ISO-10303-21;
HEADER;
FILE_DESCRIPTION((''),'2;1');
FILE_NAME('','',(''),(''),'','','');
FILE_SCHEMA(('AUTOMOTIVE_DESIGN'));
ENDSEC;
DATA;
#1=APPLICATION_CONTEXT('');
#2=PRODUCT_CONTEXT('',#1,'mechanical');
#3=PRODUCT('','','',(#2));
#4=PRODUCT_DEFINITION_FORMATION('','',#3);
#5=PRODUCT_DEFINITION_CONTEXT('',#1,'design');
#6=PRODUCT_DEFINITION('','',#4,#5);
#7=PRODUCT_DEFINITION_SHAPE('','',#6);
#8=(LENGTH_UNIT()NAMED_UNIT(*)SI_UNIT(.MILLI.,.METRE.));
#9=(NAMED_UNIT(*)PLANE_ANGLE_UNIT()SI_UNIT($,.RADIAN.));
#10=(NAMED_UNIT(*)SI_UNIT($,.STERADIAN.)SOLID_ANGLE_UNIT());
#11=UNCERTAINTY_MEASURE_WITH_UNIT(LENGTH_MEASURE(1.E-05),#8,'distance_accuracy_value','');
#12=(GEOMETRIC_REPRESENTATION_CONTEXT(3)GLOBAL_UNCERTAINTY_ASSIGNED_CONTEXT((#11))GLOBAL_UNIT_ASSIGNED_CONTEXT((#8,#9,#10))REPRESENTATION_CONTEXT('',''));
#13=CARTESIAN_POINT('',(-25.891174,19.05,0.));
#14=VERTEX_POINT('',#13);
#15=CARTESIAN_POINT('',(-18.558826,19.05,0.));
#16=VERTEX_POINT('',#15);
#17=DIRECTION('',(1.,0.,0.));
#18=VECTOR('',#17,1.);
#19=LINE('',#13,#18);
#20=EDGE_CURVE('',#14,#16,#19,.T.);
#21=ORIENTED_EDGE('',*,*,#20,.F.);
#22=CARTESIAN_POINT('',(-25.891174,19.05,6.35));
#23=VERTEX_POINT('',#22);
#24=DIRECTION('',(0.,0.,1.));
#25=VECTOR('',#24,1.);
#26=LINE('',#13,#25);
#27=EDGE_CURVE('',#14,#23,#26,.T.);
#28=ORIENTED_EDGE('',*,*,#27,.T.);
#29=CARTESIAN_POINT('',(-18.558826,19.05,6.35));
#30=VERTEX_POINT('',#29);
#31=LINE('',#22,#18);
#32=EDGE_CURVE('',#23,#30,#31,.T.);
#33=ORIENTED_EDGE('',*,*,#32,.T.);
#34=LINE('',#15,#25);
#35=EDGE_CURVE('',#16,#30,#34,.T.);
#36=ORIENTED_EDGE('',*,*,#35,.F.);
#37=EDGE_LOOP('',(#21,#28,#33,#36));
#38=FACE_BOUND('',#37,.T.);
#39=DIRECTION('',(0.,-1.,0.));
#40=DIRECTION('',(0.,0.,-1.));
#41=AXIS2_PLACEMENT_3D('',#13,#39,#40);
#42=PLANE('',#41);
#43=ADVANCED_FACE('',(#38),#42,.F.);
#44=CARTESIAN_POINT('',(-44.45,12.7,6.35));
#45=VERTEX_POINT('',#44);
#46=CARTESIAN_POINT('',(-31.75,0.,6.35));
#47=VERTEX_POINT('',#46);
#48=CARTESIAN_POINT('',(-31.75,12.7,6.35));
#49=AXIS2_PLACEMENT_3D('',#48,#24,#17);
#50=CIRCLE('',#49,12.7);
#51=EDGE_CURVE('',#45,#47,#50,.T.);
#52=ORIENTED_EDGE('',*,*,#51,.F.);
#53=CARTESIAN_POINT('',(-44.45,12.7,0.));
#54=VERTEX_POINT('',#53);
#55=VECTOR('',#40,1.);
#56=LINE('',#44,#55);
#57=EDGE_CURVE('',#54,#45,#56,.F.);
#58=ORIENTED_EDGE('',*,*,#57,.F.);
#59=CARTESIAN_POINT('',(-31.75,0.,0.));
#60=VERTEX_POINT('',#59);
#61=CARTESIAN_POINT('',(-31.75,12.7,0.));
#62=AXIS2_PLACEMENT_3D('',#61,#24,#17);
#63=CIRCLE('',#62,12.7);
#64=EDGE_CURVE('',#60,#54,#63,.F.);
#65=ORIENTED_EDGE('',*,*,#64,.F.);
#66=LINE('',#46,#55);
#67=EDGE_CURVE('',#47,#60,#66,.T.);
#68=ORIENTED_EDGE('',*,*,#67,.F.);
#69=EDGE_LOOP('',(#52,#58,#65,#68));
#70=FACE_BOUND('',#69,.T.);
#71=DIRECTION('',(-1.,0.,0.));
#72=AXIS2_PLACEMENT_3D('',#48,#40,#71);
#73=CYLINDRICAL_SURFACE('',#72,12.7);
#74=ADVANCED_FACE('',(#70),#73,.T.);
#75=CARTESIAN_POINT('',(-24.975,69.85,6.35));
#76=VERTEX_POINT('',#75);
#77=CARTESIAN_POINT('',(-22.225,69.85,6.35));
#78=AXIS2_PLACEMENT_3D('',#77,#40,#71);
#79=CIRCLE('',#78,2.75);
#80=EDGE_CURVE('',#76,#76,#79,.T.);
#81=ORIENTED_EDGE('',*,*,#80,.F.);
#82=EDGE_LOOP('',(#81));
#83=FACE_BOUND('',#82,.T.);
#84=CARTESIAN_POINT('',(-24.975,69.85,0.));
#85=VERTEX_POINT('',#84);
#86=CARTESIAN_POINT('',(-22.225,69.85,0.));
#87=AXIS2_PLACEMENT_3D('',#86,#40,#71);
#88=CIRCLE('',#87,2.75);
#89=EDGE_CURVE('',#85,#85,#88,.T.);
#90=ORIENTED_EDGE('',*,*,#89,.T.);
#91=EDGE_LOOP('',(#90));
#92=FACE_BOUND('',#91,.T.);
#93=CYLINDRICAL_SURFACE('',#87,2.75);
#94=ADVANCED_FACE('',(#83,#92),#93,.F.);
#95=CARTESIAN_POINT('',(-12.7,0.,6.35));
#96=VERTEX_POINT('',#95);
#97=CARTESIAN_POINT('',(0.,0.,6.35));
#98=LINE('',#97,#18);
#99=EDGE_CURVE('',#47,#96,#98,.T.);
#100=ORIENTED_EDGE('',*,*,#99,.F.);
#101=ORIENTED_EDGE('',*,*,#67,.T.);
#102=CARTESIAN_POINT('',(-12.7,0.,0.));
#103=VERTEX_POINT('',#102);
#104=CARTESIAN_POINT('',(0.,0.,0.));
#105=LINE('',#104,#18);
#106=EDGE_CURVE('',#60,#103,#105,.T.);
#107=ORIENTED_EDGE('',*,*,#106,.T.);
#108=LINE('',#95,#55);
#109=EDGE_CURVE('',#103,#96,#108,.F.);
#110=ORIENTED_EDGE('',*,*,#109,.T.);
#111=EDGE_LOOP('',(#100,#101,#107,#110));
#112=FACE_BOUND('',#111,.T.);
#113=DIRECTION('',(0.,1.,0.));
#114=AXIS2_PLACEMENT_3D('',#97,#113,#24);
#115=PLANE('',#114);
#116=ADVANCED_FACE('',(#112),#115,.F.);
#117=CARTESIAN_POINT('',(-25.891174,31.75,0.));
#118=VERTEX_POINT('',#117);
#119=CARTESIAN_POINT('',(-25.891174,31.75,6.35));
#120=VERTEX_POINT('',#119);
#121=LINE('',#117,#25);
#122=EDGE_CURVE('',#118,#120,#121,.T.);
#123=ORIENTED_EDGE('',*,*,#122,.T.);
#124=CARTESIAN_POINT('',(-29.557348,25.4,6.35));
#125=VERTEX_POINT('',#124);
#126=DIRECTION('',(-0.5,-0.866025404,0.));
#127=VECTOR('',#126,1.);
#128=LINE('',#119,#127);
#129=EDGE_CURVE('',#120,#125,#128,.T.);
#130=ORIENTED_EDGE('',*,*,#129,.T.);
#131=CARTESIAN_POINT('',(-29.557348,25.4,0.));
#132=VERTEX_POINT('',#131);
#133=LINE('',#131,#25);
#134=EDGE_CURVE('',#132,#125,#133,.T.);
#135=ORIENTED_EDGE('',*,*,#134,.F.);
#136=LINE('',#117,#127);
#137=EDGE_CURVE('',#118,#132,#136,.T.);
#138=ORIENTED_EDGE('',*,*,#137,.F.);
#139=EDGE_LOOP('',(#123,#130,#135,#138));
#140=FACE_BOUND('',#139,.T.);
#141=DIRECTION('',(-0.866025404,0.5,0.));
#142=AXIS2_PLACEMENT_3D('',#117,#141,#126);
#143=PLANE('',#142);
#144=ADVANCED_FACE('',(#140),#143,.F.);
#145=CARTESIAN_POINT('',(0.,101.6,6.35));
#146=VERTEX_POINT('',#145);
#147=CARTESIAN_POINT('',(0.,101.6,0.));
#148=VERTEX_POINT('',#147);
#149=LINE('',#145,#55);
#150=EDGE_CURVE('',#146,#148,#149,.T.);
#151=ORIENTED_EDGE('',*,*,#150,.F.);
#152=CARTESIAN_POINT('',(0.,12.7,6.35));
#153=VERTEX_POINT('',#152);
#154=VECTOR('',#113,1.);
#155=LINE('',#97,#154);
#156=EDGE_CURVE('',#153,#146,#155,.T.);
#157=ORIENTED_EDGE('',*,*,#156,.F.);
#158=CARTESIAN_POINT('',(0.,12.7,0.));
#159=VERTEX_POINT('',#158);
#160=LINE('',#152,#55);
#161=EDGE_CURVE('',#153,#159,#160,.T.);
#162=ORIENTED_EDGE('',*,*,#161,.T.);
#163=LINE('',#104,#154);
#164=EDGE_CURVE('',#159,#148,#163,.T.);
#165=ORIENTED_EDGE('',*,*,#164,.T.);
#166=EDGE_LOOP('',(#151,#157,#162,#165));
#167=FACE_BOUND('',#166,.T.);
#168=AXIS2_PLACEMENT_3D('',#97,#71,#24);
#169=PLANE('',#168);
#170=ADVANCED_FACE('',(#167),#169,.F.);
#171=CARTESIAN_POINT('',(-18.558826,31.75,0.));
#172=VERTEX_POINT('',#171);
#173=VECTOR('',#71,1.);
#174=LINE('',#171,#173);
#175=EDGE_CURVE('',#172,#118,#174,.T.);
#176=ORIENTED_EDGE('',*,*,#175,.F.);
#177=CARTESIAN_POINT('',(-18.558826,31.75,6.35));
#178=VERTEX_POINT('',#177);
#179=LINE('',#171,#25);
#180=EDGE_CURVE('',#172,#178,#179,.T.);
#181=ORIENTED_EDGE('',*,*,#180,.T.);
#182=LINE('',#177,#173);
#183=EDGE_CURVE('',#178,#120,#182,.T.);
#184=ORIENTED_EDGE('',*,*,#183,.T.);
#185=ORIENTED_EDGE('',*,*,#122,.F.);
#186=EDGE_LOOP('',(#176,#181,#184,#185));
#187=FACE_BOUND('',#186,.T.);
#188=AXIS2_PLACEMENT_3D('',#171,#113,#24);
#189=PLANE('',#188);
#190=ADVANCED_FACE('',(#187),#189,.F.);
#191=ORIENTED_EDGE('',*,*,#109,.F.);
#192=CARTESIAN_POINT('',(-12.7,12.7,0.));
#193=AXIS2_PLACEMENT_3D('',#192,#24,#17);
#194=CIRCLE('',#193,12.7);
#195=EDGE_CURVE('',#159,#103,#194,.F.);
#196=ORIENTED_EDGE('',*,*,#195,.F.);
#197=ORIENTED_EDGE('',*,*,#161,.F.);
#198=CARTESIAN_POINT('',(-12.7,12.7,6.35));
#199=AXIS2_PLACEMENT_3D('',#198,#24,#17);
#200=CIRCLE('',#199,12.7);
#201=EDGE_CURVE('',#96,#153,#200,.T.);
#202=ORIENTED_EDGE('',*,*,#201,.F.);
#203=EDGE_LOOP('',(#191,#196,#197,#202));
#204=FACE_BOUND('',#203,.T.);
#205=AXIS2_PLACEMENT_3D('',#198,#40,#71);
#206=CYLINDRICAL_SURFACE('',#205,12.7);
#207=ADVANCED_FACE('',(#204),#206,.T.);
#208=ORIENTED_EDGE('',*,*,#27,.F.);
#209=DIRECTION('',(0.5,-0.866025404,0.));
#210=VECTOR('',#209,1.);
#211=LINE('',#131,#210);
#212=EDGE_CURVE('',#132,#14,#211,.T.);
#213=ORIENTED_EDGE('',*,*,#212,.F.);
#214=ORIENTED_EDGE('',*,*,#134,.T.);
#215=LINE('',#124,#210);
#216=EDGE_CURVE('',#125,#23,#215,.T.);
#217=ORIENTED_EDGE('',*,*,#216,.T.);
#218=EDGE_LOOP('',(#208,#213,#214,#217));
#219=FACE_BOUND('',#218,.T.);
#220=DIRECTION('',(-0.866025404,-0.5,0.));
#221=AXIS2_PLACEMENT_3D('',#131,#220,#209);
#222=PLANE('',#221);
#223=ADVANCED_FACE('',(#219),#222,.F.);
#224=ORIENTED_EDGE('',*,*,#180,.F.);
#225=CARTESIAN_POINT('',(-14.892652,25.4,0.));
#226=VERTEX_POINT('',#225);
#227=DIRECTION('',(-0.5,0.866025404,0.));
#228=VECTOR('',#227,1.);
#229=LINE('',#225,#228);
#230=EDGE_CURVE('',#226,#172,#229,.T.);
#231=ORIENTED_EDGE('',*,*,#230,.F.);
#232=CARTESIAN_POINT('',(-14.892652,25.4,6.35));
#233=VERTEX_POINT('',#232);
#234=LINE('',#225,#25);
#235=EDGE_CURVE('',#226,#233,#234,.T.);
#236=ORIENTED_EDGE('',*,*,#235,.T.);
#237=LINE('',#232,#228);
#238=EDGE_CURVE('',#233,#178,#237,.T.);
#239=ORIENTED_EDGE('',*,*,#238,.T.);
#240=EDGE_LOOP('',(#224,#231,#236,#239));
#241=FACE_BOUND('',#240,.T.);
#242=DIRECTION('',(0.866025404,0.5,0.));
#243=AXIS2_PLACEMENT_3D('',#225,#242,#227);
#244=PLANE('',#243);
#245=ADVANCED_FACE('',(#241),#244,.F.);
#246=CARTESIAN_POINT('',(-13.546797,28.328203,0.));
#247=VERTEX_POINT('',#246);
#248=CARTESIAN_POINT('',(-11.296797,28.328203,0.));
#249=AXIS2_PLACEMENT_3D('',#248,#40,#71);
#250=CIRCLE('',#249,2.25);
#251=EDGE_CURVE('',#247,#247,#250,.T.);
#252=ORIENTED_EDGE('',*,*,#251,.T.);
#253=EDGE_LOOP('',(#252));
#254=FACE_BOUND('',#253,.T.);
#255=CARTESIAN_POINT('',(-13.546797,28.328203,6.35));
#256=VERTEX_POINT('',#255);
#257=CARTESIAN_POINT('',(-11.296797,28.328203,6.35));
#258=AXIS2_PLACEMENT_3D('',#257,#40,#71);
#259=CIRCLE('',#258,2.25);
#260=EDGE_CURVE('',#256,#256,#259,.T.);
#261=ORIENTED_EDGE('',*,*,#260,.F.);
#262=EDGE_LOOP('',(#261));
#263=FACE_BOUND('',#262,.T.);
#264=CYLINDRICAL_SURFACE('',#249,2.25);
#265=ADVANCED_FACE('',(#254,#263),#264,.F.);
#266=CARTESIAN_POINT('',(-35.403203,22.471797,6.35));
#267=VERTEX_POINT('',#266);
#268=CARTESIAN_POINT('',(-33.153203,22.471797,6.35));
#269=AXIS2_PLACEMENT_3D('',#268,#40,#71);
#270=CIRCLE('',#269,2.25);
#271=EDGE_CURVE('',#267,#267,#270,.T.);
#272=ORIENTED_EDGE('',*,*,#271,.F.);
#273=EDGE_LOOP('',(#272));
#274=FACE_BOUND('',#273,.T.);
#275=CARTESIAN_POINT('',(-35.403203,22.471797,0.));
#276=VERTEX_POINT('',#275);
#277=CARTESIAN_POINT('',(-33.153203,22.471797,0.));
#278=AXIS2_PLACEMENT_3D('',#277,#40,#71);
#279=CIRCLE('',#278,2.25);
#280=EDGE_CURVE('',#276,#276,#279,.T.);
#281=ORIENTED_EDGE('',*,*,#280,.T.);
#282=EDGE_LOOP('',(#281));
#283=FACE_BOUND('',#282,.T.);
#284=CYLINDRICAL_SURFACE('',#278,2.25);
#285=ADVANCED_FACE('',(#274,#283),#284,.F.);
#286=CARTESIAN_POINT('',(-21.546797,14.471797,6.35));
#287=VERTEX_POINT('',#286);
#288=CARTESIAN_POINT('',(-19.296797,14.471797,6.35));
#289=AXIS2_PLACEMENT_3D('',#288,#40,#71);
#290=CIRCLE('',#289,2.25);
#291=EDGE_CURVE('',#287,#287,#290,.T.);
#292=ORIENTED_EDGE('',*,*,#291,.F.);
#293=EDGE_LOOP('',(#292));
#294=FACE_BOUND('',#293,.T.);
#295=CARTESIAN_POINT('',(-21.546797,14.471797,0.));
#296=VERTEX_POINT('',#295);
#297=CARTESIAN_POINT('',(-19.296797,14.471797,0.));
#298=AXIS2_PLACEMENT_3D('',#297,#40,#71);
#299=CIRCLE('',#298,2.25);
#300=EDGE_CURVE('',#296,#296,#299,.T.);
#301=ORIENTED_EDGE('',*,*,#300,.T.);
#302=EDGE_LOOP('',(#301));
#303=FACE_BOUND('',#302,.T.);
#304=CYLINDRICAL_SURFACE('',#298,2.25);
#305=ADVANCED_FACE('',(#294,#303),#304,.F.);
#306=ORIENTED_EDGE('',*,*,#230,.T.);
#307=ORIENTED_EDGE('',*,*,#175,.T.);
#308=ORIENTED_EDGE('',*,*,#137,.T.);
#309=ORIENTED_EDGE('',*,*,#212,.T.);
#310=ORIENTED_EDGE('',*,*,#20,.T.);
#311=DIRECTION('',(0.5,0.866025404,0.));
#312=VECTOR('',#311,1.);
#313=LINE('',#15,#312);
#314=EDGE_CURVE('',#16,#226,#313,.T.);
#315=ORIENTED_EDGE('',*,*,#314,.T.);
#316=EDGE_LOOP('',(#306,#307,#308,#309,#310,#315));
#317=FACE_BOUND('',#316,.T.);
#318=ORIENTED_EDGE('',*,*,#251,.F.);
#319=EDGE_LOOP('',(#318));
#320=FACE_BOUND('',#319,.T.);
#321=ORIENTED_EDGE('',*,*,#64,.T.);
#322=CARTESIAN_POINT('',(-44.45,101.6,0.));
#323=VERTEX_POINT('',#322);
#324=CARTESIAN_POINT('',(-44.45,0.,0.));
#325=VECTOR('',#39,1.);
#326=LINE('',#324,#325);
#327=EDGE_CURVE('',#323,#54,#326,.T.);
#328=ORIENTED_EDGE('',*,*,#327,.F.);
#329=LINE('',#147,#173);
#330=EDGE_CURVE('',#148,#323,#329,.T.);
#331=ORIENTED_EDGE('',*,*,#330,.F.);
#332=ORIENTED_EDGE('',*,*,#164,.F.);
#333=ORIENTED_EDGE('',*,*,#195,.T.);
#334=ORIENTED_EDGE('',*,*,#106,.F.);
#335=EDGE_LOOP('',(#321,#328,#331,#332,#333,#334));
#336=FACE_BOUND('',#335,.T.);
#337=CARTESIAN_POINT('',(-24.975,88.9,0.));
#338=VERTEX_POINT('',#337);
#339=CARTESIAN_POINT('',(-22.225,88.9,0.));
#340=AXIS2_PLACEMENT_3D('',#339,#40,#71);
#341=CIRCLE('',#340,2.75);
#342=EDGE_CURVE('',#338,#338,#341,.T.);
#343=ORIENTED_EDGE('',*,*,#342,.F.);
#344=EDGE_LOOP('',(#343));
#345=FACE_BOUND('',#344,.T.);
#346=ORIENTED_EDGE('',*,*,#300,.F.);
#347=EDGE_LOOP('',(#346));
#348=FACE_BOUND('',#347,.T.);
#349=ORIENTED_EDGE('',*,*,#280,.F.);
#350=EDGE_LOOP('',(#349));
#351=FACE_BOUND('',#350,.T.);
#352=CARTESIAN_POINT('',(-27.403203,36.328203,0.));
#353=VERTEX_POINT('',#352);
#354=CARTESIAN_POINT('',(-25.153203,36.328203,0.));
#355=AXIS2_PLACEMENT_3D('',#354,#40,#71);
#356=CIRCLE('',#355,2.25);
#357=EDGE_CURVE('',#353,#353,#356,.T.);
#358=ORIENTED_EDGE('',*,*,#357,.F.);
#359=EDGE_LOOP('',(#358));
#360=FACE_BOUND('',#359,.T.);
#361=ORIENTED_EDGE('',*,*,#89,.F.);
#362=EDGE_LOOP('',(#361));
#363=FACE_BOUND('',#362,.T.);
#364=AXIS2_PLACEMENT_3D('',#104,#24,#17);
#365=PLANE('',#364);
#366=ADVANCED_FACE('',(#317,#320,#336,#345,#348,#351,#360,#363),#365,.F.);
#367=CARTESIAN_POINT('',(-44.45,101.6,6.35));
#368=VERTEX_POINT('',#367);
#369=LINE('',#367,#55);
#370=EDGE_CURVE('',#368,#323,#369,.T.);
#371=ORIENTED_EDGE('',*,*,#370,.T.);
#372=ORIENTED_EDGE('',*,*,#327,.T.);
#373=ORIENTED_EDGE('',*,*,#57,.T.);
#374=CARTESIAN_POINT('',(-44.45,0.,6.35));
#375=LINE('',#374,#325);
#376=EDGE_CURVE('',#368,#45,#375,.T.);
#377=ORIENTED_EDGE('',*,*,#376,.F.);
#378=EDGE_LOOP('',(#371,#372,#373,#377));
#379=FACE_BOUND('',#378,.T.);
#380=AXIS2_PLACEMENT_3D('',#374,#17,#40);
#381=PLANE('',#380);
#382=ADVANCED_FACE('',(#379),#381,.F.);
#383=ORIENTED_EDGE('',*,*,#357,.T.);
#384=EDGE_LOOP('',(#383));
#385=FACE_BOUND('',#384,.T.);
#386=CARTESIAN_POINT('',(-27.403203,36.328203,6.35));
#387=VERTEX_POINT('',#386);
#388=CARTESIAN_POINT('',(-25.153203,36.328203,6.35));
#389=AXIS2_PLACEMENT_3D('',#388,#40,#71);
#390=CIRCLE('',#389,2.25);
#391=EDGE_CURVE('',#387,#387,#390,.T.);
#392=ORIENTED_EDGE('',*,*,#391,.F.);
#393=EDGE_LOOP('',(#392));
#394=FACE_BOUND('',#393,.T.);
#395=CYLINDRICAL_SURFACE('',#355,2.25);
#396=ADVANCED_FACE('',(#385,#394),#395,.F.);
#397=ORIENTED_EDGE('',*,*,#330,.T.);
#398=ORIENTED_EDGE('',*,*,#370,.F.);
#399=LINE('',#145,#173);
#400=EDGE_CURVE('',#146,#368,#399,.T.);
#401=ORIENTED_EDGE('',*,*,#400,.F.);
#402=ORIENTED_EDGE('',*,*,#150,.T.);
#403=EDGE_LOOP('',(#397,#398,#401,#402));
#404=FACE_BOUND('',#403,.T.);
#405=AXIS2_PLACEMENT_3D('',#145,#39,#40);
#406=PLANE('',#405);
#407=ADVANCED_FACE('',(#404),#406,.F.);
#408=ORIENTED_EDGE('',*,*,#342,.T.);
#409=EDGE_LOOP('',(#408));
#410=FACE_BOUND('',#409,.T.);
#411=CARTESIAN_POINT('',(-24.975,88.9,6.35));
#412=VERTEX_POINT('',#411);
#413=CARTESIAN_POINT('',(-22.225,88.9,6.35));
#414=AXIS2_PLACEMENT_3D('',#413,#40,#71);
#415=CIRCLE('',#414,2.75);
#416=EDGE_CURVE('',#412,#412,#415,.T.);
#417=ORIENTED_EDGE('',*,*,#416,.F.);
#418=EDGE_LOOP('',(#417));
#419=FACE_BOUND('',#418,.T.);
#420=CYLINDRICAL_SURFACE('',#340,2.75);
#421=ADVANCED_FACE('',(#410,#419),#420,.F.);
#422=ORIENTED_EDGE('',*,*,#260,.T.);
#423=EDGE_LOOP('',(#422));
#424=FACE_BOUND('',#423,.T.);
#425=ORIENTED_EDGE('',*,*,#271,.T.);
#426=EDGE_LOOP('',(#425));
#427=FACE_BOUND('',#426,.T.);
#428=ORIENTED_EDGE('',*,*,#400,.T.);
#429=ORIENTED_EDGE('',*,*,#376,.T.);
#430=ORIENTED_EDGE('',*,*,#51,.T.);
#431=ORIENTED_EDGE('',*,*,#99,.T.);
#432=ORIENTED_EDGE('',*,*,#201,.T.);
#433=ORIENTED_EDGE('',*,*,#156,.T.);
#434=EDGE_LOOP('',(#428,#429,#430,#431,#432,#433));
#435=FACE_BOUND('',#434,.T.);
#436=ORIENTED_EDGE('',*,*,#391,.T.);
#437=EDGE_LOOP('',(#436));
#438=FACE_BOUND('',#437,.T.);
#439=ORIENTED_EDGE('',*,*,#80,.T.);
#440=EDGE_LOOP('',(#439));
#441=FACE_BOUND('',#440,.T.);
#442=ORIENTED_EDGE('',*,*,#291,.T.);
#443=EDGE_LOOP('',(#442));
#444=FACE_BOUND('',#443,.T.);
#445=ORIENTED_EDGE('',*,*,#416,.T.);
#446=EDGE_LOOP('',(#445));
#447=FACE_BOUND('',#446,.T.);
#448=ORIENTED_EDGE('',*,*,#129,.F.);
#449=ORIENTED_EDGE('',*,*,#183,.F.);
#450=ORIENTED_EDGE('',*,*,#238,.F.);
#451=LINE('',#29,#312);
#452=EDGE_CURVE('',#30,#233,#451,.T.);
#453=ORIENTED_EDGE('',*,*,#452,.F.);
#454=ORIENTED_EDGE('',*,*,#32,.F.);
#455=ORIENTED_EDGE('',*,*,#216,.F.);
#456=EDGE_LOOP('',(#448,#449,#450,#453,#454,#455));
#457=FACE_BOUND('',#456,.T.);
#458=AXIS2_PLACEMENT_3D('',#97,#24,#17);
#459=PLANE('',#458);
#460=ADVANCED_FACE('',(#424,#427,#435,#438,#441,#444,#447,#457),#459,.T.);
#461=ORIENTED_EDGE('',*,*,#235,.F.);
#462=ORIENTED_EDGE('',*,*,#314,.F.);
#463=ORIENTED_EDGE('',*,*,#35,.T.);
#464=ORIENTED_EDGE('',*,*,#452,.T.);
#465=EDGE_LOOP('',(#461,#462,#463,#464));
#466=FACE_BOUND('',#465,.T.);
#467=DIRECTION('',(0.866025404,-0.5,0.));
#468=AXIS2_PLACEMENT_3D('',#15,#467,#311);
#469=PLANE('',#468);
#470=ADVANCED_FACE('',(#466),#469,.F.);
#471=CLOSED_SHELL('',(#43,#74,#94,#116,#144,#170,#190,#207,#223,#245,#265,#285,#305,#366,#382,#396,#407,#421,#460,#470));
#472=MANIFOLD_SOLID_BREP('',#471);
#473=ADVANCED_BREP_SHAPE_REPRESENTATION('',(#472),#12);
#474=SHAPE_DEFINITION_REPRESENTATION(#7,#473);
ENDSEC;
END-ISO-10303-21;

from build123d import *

# Parameters (mm, degrees)
SKETCH1_W            = 44.45
SKETCH1_H            = 101.6
BOSS_EXTRUDE2_DEPTH  = 6.35
FILLET1_R            = 12.7
M5_CLEARANCE_HOLE1_D = 5.5
CUT_EXTRUDE1_DEPTH   = 112.079633597
M4_CLEARANCE_HOLE1_D = 4.5


with BuildPart() as part:
    # Sketch1 → Boss-Extrude2 (new body)
    with BuildSketch(Plane.XY):
        with Locations((-22.225, 50.8)):
            Rectangle(SKETCH1_W, SKETCH1_H)
    extrude(amount=BOSS_EXTRUDE2_DEPTH)

    # Fillet1
    fillet1_edges = [part.edges().sort_by_distance(p)[0] for p in [
        (0, 0, 3.175),
        (-44.45, 0, 3.175),
    ]]
    fillet(fillet1_edges, radius=FILLET1_R)

    # M5 Clearance Hole1 (through all)
    with Locations(Plane(origin=(0, 0, 0), x_dir=(-1, 0, 0), z_dir=(0, 0, -1))):
        with Locations((22.225, 88.9), (22.225, 69.85)):
            Hole(M5_CLEARANCE_HOLE1_D / 2)

    # Sketch14 → Cut-Extrude1 (cut, through all)
    with BuildSketch(Plane.XY.offset(6.35)):
        Polygon((-14.892651581, 25.4), (-18.558825791, 31.75), (-25.891174209, 31.75), (-29.557348419, 25.4), (-25.891174209, 19.05), (-18.558825791, 19.05), align=None)
    extrude(amount=-CUT_EXTRUDE1_DEPTH, mode=Mode.SUBTRACT)

    # M4 Clearance Hole1 (through all)
    with Locations(Plane(origin=(0, 0, 0), x_dir=(-1, 0, 0), z_dir=(0, 0, -1))):
        with Locations((11.29679677, 28.32820323), (25.15320323, 36.32820323), (33.15320323, 22.47179677), (19.29679677, 14.47179677)):
            Hole(M4_CLEARANCE_HOLE1_D / 2)


solid = part.part
